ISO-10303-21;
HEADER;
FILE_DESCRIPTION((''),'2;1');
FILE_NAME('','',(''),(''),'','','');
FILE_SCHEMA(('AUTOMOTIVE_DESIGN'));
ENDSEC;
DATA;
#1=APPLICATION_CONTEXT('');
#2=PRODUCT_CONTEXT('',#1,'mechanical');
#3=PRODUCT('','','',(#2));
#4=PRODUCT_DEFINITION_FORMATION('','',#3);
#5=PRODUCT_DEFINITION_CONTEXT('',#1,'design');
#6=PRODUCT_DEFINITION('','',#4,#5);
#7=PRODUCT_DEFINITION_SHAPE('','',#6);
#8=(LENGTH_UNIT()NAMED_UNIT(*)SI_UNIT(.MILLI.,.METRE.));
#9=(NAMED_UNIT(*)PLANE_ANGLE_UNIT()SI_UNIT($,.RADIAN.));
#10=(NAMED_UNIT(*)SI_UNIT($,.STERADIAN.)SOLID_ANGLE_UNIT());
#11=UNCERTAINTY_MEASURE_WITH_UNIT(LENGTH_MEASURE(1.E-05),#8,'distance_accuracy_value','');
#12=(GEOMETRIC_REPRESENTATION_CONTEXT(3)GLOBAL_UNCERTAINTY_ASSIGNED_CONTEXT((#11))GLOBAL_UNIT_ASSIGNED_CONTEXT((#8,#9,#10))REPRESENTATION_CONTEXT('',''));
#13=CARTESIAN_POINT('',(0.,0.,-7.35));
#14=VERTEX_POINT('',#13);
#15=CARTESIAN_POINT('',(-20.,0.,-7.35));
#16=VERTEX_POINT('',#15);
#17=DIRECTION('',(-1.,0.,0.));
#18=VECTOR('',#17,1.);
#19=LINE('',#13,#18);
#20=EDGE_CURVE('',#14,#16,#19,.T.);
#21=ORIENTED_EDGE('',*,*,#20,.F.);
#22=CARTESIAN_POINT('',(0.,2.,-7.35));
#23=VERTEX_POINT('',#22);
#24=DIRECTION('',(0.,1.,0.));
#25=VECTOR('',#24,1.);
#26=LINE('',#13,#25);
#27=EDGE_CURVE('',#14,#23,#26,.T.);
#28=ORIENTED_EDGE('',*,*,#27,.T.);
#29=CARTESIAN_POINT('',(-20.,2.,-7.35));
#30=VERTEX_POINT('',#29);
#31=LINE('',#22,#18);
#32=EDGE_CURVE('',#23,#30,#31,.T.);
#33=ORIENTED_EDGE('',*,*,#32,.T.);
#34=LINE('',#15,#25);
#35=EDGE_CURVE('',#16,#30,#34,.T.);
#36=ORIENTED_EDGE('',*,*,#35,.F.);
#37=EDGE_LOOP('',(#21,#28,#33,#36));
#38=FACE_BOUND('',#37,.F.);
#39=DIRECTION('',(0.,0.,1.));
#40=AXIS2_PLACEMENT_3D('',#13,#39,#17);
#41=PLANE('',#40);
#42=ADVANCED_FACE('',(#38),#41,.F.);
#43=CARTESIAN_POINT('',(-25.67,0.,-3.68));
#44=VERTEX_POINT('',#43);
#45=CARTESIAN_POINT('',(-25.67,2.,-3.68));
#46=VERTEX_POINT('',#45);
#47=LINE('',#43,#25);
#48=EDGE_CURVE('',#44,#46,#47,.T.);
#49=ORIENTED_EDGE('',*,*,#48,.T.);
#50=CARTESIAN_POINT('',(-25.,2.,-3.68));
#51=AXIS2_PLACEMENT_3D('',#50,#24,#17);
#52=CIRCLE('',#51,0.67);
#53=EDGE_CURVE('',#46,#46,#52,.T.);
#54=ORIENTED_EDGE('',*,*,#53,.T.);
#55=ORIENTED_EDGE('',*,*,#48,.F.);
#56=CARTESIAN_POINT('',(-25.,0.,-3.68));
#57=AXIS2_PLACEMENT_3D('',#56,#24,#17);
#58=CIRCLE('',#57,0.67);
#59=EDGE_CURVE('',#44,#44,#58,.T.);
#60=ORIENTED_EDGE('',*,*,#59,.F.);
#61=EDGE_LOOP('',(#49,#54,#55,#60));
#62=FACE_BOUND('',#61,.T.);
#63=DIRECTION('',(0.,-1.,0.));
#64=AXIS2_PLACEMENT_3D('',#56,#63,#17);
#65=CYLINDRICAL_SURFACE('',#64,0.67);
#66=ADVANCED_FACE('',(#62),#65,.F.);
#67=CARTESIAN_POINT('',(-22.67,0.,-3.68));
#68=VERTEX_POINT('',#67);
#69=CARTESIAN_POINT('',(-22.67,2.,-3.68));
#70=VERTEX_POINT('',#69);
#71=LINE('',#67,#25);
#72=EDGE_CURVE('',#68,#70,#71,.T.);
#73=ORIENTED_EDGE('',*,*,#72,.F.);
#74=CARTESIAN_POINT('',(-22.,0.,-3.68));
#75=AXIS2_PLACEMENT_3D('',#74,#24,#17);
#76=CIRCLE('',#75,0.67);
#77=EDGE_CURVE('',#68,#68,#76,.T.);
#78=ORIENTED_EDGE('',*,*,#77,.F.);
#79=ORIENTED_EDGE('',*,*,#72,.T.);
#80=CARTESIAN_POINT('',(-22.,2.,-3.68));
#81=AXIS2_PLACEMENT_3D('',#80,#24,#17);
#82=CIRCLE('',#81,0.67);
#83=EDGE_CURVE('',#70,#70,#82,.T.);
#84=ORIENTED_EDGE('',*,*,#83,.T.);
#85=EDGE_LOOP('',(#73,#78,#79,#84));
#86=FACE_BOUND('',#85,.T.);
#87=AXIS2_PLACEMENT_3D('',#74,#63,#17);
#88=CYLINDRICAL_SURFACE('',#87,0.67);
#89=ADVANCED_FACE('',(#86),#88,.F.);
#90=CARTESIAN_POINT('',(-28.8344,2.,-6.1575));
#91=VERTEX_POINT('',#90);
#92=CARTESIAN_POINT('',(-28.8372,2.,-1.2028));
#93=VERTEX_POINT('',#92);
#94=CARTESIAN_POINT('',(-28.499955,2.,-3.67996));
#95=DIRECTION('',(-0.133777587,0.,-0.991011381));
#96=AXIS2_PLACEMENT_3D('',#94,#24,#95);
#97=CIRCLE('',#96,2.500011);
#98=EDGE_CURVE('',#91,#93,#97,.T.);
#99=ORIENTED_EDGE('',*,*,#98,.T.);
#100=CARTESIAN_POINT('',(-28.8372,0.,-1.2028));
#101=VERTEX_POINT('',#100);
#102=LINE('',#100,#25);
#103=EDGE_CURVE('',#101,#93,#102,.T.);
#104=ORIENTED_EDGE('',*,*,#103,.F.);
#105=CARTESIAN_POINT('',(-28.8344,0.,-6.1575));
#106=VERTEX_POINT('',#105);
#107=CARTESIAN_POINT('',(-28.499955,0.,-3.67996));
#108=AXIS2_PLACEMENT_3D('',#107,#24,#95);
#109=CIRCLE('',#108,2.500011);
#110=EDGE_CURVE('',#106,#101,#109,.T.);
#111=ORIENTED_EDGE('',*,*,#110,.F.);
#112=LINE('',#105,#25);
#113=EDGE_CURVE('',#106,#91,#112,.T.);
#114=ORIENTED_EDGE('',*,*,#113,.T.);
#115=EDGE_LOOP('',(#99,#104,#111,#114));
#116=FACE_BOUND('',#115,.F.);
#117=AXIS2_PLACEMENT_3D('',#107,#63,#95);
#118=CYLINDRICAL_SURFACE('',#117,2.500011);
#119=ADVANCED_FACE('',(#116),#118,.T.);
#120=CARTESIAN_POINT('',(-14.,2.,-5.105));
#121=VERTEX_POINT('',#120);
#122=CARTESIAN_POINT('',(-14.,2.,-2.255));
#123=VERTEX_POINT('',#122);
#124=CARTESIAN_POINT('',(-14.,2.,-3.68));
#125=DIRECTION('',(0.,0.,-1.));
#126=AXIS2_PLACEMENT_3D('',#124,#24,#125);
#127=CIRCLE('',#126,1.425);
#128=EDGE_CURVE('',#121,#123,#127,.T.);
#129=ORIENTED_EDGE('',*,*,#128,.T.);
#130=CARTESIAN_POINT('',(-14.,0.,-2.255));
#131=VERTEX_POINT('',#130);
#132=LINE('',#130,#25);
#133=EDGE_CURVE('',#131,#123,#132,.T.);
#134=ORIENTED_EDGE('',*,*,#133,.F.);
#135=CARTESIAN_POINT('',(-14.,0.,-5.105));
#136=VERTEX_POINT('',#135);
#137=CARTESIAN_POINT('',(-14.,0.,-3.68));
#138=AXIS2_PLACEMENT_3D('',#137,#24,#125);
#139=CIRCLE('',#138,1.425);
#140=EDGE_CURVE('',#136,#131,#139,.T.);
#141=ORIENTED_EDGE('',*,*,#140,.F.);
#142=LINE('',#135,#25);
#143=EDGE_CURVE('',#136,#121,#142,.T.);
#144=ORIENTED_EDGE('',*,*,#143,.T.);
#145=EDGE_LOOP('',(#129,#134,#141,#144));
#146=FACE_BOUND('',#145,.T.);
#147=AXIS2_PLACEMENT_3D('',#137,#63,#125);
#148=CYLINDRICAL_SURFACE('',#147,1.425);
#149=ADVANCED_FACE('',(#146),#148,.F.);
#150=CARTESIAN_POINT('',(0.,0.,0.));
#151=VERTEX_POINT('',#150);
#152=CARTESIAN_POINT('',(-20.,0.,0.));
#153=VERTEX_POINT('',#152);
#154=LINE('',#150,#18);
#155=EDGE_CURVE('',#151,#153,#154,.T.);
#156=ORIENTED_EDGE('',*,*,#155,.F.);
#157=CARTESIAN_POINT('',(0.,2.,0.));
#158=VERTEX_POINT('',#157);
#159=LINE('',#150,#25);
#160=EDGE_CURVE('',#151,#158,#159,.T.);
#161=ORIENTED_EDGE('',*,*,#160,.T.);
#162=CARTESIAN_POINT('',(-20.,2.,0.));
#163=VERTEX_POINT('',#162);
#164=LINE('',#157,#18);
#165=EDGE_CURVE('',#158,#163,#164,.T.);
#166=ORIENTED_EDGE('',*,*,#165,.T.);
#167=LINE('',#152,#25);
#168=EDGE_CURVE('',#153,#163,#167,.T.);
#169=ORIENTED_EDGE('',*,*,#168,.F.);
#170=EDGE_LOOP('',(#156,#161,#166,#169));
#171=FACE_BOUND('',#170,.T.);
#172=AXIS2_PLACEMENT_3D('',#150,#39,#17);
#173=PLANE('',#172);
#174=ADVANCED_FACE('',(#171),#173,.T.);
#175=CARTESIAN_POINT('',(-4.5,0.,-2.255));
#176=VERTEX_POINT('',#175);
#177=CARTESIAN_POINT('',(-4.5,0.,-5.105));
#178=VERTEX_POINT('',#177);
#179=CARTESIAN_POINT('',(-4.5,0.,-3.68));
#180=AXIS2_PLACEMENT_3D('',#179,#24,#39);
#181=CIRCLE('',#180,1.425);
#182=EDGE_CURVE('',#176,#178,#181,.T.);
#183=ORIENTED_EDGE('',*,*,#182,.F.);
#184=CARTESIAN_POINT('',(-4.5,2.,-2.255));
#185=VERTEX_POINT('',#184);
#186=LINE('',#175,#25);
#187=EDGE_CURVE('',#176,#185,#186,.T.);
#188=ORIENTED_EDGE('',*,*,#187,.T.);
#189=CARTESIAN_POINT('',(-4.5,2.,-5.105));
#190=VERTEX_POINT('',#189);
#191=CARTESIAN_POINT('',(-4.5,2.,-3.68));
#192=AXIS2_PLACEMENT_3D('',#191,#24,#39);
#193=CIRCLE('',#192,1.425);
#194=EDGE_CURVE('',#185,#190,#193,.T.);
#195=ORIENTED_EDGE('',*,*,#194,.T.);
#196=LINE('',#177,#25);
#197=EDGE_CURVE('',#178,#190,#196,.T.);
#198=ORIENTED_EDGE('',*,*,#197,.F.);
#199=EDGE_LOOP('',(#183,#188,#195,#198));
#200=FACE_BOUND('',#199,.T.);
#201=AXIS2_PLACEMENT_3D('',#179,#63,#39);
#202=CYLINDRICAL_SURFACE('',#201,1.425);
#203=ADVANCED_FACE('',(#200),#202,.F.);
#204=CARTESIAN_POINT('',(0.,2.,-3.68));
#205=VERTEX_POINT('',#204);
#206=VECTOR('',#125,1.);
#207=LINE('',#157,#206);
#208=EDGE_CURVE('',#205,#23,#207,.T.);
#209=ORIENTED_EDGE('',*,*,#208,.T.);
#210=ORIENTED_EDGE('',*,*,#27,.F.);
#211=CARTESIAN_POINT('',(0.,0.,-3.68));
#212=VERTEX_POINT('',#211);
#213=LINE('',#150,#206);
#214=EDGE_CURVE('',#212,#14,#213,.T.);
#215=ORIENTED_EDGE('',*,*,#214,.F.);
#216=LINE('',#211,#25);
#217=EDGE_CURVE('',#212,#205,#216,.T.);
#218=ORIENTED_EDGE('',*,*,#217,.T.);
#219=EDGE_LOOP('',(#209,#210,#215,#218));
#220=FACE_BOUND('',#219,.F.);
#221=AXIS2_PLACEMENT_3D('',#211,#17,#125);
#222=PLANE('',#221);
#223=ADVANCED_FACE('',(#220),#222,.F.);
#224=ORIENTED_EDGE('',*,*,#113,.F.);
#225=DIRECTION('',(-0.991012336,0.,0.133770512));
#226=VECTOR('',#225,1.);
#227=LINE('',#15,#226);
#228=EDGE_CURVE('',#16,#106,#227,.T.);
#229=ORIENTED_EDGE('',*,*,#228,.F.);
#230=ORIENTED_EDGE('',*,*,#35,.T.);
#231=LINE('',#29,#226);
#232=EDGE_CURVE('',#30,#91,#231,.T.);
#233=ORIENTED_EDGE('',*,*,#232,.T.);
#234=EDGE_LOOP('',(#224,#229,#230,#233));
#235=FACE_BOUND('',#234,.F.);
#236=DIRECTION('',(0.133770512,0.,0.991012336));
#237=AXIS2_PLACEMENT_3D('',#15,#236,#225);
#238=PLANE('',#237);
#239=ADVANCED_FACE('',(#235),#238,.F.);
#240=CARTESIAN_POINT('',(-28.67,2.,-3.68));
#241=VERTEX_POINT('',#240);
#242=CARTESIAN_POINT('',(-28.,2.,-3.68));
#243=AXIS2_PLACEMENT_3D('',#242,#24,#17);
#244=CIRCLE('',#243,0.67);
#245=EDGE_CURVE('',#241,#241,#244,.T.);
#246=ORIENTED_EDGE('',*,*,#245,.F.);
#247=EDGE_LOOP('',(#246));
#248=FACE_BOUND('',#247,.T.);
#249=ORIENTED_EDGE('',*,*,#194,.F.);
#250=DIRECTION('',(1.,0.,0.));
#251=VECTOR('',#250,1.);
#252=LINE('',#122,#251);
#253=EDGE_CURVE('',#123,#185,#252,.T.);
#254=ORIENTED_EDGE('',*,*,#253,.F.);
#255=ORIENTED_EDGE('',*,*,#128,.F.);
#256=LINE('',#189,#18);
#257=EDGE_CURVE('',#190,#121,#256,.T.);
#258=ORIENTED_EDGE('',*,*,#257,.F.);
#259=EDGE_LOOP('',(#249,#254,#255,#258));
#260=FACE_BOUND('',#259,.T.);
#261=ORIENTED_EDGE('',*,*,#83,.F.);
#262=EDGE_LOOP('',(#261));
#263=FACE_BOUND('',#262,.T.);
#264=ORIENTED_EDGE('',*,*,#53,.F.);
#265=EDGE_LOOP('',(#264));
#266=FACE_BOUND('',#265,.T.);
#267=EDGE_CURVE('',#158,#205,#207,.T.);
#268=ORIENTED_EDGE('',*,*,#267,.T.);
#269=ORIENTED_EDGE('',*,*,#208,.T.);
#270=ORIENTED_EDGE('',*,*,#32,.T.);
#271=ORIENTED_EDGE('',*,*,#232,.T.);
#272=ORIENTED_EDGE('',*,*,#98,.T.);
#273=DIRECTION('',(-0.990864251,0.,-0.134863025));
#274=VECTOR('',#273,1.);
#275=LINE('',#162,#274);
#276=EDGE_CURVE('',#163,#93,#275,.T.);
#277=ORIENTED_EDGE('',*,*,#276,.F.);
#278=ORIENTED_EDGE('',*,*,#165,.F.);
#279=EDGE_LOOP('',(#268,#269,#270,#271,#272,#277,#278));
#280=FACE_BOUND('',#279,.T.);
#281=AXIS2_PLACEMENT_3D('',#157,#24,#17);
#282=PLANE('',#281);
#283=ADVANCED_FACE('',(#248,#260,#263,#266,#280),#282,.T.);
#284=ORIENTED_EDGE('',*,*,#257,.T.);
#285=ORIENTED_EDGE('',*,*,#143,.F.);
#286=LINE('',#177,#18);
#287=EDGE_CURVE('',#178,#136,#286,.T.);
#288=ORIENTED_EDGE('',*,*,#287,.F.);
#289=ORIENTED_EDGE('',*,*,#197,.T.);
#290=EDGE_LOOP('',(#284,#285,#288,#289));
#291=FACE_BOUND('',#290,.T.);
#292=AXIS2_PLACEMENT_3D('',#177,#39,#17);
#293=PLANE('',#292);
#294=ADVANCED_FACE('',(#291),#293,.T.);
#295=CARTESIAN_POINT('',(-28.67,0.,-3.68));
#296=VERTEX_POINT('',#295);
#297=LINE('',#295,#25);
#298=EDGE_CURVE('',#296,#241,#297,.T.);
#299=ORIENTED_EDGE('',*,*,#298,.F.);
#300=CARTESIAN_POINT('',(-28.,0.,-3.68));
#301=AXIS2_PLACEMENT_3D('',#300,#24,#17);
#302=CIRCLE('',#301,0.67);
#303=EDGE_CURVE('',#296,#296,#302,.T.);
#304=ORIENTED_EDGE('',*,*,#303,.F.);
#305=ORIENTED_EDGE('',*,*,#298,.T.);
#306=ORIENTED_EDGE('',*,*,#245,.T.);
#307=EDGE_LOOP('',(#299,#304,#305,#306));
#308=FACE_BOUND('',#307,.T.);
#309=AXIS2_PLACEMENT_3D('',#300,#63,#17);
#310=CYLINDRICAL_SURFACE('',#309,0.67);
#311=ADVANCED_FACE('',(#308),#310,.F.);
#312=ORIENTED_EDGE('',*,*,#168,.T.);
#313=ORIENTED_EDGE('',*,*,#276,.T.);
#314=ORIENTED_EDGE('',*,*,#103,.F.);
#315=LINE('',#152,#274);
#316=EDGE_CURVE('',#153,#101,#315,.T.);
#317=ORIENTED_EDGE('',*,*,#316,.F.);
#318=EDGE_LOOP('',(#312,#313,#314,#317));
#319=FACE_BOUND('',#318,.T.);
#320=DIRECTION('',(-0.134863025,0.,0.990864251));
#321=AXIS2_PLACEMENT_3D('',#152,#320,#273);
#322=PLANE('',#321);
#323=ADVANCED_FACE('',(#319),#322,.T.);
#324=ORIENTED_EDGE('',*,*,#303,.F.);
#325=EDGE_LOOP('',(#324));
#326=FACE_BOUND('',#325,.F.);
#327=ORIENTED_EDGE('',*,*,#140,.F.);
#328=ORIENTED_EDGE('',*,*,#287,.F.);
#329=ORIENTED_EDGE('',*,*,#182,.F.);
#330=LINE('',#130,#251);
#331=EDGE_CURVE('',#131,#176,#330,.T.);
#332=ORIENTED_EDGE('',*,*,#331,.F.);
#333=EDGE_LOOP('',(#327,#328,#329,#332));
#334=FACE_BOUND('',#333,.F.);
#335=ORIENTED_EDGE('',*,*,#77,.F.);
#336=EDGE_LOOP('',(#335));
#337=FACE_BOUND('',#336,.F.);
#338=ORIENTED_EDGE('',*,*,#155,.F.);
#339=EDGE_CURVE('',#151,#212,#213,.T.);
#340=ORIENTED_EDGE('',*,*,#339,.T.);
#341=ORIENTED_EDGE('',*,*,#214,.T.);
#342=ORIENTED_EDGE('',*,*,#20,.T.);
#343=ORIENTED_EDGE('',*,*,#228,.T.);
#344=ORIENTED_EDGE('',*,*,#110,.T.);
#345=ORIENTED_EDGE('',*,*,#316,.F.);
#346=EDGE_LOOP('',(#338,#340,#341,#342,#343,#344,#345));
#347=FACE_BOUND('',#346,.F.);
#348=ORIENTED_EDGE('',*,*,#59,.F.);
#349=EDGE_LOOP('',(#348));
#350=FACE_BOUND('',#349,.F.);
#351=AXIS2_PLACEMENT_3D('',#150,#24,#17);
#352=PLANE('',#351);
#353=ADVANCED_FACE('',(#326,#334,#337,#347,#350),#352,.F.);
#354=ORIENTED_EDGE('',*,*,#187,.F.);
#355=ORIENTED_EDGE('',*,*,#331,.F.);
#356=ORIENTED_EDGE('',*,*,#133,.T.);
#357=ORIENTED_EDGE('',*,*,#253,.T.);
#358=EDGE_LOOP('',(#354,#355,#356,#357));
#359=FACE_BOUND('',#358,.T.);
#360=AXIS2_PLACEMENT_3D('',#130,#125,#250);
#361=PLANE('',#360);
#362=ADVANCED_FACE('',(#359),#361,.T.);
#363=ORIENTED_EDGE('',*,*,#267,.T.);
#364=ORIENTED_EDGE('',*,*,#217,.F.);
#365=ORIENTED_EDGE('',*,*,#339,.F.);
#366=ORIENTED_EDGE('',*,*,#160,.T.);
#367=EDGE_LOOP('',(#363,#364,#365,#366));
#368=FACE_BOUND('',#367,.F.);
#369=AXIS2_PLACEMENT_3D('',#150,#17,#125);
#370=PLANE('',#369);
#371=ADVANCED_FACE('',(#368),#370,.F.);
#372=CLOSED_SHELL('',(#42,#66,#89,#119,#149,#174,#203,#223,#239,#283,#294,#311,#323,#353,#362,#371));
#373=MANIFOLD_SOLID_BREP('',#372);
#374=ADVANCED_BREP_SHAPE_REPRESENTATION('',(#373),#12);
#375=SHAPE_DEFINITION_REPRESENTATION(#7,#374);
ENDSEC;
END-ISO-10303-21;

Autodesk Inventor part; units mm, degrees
ref_plane "YZ Plane" through (0, 0, 0) normal (1, 0, 0) x (0, 1, 0)
ref_plane "XZ Plane" through (0, 0, 0) normal (0, 1, 0) x (-1, 0, 0)
ref_plane "XY Plane" through (0, 0, 0) normal (0, 0, 1) x (1, 0, 0)
sketch "Sketch1" plane through (0, 0, 0) normal (0, 1, 0) x (-1, 0, 0)
  line L0 (0, 0) -> (0, -7.35)
  line L1 (0, -7.35) -> (20, -7.35)
  line L2 (0, 0) -> (20, 0)
  line L3 (0, 0) -> (0, -3.68)
  line L4 (0, -3.68) -> (4.5, -3.68) construction
  line L5 (4.5, -3.68) -> (14, -3.68) construction
  line L6 (14, -3.68) -> (22, -3.68) construction
  line L7 (22, -3.68) -> (25, -3.68) construction
  line L8 (25, -3.68) -> (28, -3.68) construction
  line L9 (28, -3.68) -> (28.5, -3.68) construction
  arc A0 (28.8344, -6.1575) -> (28.8372, -1.2028) centre (28.5, -3.68) ccw
  circle A1 centre (28, -3.68) radius 0.67
  circle A2 centre (25, -3.68) radius 0.67
  circle A3 centre (22, -3.68) radius 0.67
  line L10 (20, 0) -> (28.8372, -1.2028)
  line L11 (20, -7.35) -> (28.8344, -6.1575)
  arc A4 (4.5, -2.255) -> (4.5, -5.105) centre (4.5, -3.68) ccw
  arc A5 (14, -5.105) -> (14, -2.255) centre (14, -3.68) ccw
  line L12 (14, -2.255) -> (4.5, -2.255)
  line L13 (4.5, -5.105) -> (14, -5.105)
  dimension "d0" = 7.35
  dimension "d1" = 20
  dimension "d2" = 20
  dimension "d3" = 3.68
  dimension "d4" = 4.5
  dimension "d5" = 9.5
  dimension "d6" = 8
  dimension "d7" = 3
  dimension "d8" = 3
  dimension "d9" = 0.5
  dimension "d10" = 5
  dimension "d11" = 1.34
  dimension "d12" = 1.34
  dimension "d13" = 1.34
  dimension "d16" = 2.85
  dimension "d17" = 2.85
extrude "Extrusion1" add sketch "Sketch1" along normal blind 2
properties part number "MMAE 232 CAD Assignment 2 Servo Horn 1-Nicholas Skiba"
